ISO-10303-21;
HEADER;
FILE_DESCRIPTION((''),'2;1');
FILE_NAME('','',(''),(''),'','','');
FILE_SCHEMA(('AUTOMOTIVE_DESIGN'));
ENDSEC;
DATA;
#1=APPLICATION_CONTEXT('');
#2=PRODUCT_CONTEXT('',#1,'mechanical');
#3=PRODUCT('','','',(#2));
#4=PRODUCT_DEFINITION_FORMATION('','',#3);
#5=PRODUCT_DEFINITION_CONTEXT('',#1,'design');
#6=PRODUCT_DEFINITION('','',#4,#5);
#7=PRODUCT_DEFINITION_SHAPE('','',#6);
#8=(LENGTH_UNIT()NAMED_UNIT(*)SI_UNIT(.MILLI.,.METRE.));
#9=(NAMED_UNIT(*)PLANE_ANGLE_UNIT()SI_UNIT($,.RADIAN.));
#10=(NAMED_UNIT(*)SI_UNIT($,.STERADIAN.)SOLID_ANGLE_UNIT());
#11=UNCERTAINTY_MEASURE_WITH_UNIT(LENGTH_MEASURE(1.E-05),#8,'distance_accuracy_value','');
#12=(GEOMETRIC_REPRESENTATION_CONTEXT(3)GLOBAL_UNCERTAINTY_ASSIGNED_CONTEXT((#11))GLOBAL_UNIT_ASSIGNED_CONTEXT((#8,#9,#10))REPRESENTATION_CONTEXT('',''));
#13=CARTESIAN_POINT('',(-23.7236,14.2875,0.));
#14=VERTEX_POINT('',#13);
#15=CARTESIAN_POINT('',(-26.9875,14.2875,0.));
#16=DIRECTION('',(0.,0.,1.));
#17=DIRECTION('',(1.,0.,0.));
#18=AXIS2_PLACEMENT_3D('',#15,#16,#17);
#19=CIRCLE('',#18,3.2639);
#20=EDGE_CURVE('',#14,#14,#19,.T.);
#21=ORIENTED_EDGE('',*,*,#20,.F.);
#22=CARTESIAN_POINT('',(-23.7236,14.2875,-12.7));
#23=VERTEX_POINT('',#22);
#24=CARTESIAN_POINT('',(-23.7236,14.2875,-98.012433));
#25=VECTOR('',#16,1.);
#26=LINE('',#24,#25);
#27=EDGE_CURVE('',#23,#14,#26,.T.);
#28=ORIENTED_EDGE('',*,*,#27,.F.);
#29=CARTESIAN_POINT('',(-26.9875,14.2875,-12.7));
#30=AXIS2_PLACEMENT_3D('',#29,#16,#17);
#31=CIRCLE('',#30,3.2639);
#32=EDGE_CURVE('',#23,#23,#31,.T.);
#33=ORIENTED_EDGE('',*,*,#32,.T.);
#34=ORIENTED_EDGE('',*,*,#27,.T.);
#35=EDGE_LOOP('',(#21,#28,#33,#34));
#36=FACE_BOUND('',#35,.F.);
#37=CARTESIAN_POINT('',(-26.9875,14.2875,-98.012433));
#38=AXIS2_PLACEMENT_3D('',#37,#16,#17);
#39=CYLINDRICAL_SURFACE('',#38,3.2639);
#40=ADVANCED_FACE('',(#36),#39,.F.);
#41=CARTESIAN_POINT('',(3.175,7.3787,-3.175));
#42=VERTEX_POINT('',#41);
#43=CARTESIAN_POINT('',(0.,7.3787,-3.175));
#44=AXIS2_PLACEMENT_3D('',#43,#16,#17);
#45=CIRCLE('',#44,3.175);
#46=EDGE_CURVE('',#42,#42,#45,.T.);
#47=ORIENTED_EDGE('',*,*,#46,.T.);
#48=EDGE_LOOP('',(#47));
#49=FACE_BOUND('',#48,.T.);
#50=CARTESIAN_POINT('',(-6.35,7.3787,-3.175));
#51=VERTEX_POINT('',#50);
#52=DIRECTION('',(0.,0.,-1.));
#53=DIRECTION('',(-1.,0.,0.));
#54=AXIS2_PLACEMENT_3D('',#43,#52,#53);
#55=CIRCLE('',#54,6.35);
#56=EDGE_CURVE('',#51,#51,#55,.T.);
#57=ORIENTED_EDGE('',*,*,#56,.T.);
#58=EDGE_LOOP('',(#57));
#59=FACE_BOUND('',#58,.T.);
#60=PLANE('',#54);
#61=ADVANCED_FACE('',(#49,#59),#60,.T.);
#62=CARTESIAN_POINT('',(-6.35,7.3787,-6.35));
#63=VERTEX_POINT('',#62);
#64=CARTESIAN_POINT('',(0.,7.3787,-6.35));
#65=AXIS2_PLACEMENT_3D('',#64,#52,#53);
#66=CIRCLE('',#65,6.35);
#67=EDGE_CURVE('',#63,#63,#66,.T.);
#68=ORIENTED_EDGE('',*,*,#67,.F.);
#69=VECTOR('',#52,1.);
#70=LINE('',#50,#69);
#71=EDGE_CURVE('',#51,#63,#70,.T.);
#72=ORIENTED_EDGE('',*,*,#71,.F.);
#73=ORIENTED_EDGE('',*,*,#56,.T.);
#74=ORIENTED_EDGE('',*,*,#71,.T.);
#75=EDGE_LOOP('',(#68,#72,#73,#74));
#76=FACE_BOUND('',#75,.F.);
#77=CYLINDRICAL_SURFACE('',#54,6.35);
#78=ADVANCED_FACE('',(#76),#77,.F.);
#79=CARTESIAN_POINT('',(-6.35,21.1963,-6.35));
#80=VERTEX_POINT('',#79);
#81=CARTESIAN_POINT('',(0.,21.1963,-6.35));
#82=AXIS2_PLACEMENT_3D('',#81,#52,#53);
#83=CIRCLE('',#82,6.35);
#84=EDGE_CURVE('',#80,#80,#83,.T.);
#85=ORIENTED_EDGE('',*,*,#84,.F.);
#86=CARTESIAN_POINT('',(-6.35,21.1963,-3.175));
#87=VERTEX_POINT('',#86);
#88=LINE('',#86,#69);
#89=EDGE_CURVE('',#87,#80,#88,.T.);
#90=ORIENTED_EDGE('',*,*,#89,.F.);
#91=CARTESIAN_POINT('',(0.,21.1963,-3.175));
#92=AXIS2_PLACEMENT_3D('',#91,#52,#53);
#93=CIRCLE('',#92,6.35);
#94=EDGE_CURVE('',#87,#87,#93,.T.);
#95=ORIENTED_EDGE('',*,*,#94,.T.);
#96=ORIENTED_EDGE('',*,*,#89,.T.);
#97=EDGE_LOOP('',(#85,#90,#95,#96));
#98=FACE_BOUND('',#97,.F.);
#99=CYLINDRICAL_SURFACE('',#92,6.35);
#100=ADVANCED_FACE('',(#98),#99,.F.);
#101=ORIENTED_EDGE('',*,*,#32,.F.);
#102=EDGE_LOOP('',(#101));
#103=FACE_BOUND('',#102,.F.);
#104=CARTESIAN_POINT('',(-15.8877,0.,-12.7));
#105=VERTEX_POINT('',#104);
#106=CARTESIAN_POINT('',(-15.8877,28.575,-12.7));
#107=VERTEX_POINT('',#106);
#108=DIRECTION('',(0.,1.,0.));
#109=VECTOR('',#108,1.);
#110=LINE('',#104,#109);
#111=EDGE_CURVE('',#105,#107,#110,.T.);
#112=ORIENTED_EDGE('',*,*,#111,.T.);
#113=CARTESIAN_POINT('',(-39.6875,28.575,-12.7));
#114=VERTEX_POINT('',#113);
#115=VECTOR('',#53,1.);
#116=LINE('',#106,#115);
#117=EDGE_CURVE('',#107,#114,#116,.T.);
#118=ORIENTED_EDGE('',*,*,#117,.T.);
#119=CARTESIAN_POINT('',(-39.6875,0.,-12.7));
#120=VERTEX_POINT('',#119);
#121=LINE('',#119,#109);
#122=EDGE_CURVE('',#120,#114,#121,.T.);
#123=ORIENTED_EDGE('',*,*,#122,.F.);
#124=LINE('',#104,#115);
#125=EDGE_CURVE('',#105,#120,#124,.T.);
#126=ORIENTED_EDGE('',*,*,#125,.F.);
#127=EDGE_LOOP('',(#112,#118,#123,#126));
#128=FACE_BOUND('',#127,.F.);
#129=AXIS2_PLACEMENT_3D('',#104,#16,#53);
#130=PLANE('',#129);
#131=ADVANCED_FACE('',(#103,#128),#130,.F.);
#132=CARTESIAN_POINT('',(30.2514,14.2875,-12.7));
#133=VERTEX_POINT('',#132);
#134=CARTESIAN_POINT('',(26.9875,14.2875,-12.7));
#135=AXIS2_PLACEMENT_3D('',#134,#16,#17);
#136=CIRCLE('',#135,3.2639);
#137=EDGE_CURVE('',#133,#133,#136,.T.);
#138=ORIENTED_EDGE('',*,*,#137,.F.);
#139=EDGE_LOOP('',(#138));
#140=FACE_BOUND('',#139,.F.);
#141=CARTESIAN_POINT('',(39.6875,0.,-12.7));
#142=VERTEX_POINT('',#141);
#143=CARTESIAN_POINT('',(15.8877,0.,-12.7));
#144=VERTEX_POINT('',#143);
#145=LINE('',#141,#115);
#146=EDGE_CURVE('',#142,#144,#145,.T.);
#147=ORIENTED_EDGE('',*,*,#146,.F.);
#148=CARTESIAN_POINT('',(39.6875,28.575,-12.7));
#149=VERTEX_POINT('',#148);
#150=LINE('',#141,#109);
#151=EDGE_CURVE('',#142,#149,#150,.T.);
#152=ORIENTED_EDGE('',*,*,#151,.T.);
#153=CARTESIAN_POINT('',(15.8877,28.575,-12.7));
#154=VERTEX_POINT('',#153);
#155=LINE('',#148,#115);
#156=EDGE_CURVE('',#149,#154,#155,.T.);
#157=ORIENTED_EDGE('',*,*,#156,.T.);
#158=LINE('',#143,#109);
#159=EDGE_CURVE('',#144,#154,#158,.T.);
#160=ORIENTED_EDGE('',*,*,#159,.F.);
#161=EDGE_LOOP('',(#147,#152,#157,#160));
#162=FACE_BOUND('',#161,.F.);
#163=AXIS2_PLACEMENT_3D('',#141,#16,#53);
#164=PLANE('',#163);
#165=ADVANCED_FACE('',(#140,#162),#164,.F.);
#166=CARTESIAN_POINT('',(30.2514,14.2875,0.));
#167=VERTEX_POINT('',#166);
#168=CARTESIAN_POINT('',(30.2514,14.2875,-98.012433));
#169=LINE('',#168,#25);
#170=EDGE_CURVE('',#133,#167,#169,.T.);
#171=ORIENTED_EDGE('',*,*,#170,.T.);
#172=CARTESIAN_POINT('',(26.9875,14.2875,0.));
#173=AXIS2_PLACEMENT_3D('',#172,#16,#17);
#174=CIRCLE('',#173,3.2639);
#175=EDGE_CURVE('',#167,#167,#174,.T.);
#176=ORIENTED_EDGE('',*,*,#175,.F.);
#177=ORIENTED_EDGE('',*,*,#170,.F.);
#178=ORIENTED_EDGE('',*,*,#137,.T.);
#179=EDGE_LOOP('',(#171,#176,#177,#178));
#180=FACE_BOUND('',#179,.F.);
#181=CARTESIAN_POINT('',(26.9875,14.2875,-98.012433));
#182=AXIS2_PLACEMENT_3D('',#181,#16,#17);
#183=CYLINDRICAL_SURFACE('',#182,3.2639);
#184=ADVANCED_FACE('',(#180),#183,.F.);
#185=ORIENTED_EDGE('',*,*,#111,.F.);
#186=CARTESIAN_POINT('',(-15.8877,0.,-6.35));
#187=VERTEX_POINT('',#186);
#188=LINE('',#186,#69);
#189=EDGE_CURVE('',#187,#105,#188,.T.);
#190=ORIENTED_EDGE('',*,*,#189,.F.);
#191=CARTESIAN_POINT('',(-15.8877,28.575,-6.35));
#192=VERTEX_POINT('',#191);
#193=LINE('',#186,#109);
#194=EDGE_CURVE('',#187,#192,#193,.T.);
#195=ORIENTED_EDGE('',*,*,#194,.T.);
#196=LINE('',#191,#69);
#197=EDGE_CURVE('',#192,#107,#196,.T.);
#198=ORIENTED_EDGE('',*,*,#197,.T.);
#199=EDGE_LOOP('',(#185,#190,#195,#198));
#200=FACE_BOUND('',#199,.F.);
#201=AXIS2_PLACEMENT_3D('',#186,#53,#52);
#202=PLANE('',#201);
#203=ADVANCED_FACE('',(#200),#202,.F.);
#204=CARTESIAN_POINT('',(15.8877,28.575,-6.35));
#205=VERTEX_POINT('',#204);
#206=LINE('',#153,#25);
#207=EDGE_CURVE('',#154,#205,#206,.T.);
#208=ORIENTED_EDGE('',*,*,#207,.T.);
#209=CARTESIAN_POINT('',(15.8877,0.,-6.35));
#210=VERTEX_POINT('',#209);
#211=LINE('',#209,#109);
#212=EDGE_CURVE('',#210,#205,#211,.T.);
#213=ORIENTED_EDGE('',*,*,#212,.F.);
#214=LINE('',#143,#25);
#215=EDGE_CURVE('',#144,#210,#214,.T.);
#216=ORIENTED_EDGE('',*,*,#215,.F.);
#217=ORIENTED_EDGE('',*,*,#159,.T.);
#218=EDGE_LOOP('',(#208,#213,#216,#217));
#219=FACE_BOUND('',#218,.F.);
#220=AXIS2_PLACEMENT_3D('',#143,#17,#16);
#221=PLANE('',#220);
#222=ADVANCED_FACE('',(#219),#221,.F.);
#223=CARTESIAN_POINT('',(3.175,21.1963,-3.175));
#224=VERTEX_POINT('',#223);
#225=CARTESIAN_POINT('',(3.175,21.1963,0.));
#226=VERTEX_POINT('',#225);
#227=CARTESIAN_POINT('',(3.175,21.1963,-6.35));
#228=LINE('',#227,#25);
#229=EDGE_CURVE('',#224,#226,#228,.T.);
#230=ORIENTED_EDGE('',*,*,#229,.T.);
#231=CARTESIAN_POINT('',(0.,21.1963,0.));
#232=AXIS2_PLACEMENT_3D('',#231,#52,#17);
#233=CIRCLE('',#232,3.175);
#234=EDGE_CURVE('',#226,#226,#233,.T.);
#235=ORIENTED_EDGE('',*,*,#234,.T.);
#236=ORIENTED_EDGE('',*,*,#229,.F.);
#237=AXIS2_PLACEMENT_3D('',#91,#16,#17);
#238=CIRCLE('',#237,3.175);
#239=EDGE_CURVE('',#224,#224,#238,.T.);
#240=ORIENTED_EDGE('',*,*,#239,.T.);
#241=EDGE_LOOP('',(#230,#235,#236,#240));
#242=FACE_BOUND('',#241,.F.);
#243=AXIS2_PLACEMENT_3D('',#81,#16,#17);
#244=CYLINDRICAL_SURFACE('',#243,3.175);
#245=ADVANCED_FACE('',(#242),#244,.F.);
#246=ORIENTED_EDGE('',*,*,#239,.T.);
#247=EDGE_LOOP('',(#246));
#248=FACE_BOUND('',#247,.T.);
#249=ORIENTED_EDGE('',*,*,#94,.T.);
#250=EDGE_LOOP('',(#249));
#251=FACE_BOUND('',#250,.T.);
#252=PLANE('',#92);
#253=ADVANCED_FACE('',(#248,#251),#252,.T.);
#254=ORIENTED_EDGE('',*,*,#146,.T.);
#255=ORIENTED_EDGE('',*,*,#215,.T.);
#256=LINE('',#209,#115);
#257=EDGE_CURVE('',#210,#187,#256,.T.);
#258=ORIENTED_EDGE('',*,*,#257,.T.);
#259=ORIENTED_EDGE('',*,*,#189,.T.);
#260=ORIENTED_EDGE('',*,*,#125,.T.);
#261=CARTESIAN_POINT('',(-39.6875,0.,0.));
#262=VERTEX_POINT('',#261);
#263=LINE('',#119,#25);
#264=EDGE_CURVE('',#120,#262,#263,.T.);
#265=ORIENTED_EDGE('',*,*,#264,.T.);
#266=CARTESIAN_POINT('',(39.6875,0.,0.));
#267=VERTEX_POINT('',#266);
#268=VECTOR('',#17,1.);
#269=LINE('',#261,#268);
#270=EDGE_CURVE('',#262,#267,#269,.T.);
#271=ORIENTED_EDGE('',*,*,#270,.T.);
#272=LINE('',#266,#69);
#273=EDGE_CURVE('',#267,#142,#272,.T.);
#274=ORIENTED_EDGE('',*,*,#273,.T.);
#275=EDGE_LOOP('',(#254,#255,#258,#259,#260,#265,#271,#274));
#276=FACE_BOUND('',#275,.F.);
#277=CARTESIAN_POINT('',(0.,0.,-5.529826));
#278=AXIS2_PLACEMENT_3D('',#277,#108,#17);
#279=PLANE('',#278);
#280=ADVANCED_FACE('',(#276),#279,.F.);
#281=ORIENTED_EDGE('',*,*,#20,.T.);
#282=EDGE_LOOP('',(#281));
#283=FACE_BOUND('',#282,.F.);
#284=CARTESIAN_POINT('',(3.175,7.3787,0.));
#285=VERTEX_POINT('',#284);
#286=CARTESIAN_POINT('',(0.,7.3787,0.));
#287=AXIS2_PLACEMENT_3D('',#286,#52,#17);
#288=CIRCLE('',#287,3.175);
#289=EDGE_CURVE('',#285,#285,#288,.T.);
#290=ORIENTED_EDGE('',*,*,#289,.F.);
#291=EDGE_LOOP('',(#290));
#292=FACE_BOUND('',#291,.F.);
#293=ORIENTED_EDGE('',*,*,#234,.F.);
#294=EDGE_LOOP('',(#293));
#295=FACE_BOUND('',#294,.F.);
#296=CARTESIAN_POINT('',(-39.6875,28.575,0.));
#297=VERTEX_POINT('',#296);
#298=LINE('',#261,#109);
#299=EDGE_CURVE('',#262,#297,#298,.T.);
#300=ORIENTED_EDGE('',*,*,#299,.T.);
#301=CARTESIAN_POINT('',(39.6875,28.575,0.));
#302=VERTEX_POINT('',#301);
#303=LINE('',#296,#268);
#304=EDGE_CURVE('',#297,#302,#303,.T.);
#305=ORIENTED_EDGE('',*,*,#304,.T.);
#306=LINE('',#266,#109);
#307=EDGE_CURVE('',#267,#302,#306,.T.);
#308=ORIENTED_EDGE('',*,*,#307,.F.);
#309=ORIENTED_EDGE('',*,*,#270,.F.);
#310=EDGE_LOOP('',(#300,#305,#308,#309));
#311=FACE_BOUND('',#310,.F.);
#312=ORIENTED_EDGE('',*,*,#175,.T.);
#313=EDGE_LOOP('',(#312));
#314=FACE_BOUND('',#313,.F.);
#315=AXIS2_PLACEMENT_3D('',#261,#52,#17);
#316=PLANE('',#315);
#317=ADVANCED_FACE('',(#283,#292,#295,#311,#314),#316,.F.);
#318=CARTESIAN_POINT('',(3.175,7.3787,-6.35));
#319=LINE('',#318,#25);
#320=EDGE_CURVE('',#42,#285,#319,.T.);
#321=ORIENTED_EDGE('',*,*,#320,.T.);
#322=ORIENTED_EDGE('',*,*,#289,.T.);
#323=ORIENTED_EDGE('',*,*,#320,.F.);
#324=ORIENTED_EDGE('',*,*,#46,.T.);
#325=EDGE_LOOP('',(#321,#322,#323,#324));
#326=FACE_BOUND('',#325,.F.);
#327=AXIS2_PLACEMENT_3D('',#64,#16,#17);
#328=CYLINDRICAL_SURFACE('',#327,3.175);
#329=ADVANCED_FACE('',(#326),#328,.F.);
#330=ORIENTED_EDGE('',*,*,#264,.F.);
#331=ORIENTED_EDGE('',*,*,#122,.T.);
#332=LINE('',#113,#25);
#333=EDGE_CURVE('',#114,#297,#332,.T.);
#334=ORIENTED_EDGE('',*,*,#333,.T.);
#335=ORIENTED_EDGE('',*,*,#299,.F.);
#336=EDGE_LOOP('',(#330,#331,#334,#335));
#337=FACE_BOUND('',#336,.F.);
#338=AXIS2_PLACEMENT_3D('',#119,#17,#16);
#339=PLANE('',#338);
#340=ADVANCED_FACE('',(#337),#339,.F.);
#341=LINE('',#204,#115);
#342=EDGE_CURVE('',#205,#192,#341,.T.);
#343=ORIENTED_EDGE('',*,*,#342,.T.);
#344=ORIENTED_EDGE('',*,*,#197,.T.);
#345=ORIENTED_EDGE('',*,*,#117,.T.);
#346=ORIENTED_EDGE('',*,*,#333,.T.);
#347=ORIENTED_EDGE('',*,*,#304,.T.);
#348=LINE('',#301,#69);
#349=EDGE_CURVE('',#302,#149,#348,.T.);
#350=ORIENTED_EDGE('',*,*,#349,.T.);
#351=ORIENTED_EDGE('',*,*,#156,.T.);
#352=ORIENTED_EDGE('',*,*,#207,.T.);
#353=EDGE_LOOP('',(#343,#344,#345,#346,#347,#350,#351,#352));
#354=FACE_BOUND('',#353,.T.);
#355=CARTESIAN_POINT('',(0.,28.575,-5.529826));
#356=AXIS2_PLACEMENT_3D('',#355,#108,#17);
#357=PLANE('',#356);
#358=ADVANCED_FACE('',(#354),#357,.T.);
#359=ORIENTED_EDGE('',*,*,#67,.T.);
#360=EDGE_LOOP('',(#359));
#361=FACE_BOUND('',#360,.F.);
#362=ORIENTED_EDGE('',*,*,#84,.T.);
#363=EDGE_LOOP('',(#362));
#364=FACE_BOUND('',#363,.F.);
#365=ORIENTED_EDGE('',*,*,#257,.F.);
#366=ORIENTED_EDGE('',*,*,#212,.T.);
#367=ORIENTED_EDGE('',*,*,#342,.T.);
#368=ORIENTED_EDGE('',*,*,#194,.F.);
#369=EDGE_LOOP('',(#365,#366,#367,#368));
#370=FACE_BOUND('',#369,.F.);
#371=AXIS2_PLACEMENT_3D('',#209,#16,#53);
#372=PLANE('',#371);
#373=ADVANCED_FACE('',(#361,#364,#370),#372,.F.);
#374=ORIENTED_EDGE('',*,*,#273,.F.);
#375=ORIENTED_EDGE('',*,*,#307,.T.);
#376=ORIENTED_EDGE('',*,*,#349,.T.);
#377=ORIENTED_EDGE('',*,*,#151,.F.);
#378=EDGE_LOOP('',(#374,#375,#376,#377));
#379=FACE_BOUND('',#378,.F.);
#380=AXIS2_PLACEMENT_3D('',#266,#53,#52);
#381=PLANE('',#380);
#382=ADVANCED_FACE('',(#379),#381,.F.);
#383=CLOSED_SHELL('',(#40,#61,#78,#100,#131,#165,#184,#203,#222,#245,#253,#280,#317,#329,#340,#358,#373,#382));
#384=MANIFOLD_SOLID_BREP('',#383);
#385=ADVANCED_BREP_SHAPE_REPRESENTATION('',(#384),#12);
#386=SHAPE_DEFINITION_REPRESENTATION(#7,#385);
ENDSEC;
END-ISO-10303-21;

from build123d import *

# Parameters (mm, degrees)
BOSS_EXTRUDE1_DEPTH      = 28.575
F_5_16_18_TAPPED_HOLE1_D = 6.5278
HOLE4_D                  = 6.35
HOLE4_DEPTH              = 6.35
HOLE4_CBORE_D            = 12.7
HOLE4_CBORE_DEPTH        = 3.175
HOLE4_TIP                = 1.907732465


with BuildPart() as part:
    # Sketch1 → Boss-Extrude1 (new body)
    with BuildSketch(Plane(origin=(0, 0, 0), x_dir=(1, 0, 0), z_dir=(0, 1, 0))):
        Polygon((-39.6875, 0), (39.6875, 0), (39.6875, 12.7), (15.8877, 12.7), (15.8877, 6.35), (-15.8877, 6.35), (-15.8877, 12.7), (-39.6875, 12.7), align=None)
    extrude(amount=BOSS_EXTRUDE1_DEPTH)

    # 5/16-18 Tapped Hole1 (through all)
    with Locations(Plane(origin=(0, 0, -12.7), x_dir=(-1, 0, 0), z_dir=(0, 0, -1))):
        with Locations((26.9875, 14.2875), (-26.9875, 14.2875)):
            Hole(F_5_16_18_TAPPED_HOLE1_D / 2)

    # Hole4
    with Locations(Plane(origin=(0, 0, -6.35), x_dir=(-1, 0, 0), z_dir=(0, 0, -1))):
        with Locations((0, 21.1963), (0, 7.3787)):
            CounterBoreHole(HOLE4_D / 2, HOLE4_CBORE_D / 2, HOLE4_CBORE_DEPTH, depth=HOLE4_DEPTH)
            with Locations((0, 0, -(HOLE4_DEPTH + HOLE4_TIP / 2))):  # 118° drill point
                Cone(0, HOLE4_D / 2, HOLE4_TIP, mode=Mode.SUBTRACT)


solid = part.part
